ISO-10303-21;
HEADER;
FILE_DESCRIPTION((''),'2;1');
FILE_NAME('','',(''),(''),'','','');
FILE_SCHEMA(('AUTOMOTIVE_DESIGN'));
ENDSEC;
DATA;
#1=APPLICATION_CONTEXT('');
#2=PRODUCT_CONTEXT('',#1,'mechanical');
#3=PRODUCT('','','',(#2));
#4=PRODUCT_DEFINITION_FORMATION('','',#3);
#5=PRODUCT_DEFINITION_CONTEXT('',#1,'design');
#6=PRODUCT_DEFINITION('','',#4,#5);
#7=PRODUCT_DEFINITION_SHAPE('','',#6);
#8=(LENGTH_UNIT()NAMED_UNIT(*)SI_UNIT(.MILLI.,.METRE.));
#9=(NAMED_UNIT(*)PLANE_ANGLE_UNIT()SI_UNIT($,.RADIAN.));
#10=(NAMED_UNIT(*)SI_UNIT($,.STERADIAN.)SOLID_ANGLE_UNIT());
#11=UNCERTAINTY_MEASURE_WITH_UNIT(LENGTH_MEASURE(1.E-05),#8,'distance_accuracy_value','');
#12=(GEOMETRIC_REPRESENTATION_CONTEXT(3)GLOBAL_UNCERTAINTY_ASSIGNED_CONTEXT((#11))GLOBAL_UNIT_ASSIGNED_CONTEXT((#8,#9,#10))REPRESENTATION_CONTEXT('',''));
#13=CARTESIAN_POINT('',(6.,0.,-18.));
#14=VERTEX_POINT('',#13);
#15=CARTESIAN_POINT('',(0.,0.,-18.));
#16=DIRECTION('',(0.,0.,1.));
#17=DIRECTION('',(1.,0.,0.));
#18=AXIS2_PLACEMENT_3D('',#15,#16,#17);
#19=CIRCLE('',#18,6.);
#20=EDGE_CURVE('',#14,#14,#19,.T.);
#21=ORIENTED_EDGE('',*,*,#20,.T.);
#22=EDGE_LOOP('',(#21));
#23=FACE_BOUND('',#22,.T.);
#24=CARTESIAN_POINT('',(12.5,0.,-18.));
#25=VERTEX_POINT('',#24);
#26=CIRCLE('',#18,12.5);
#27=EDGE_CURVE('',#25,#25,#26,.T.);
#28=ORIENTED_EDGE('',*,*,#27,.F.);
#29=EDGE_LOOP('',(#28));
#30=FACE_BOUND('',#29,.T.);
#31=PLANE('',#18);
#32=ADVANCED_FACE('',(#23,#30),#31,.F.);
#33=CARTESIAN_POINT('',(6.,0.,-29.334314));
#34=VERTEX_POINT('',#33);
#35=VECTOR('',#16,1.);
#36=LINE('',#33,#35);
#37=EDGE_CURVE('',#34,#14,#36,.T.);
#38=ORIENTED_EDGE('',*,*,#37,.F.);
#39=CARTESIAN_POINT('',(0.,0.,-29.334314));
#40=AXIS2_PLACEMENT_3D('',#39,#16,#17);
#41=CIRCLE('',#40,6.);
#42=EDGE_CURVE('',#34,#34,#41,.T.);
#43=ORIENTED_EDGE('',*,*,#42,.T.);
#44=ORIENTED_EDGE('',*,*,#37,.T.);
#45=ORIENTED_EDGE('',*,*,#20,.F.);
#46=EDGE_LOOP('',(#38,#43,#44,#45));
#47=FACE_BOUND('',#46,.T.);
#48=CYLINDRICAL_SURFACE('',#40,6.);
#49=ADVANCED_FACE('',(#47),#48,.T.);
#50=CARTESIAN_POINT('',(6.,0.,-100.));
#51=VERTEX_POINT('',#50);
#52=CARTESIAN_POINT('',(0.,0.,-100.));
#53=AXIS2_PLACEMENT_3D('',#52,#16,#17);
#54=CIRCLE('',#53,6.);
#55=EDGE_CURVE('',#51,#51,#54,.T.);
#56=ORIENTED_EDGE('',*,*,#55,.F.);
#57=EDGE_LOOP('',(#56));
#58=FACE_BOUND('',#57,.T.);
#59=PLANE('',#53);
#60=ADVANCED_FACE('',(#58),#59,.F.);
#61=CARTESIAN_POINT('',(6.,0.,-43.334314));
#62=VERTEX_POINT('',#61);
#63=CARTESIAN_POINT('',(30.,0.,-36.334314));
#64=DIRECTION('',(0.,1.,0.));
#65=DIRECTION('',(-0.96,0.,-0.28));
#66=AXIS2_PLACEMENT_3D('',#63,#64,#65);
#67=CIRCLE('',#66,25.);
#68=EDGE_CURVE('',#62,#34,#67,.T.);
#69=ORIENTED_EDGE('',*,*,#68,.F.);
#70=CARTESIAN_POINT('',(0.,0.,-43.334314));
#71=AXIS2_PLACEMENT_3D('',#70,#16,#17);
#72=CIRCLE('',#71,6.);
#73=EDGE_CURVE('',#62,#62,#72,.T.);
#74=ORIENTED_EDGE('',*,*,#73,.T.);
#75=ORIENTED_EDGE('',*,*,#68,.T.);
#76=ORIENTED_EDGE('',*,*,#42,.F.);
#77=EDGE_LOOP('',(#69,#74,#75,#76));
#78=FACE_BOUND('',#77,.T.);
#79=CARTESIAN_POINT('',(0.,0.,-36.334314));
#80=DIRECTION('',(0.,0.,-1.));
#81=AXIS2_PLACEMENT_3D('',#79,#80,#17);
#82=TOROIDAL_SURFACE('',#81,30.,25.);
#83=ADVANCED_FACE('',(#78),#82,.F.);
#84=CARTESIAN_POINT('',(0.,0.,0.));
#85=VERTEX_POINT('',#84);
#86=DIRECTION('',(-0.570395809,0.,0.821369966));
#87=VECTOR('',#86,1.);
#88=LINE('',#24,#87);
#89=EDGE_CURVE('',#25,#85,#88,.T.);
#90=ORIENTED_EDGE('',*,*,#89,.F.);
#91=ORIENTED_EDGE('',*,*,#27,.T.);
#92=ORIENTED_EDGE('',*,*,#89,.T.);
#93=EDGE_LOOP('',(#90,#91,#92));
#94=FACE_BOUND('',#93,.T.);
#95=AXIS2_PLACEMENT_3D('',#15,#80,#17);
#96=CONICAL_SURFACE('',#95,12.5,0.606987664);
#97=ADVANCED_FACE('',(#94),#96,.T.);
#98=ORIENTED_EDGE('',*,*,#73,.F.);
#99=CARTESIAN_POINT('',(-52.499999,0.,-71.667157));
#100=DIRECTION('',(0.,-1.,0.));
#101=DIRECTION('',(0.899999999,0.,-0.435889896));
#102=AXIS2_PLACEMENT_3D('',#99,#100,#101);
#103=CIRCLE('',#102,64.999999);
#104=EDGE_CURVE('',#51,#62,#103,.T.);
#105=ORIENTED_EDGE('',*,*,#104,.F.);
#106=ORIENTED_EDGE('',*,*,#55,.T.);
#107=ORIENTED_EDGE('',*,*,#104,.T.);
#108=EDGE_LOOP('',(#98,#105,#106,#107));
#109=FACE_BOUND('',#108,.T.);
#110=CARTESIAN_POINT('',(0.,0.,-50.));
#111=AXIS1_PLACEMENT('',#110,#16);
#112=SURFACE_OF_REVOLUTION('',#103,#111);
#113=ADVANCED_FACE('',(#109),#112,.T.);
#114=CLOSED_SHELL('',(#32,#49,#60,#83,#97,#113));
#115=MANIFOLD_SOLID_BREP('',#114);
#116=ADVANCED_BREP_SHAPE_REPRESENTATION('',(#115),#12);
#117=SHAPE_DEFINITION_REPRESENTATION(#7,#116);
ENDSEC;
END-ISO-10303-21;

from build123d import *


with BuildPart() as f1:
    # F0 (on Front) → F1 (revolve)
    with BuildSketch(Plane.XZ):
        with BuildLine():
            Line((12.5, -18), (0, 0))
            Line((0, 0), (0, -100))
            Line((0, -100), (6, -100))
            ThreePointArc((6, -100), (12.5, -71.667157), (6, -43.334314))
            ThreePointArc((6, -43.334314), (5, -36.334314), (6, -29.334314))
            Line((6, -29.334314), (6, -18))
            Line((6, -18), (12.5, -18))
        make_face()
    revolve(axis=Axis((0, 0, -50), (0, 0, 1)))


solid = f1.part
